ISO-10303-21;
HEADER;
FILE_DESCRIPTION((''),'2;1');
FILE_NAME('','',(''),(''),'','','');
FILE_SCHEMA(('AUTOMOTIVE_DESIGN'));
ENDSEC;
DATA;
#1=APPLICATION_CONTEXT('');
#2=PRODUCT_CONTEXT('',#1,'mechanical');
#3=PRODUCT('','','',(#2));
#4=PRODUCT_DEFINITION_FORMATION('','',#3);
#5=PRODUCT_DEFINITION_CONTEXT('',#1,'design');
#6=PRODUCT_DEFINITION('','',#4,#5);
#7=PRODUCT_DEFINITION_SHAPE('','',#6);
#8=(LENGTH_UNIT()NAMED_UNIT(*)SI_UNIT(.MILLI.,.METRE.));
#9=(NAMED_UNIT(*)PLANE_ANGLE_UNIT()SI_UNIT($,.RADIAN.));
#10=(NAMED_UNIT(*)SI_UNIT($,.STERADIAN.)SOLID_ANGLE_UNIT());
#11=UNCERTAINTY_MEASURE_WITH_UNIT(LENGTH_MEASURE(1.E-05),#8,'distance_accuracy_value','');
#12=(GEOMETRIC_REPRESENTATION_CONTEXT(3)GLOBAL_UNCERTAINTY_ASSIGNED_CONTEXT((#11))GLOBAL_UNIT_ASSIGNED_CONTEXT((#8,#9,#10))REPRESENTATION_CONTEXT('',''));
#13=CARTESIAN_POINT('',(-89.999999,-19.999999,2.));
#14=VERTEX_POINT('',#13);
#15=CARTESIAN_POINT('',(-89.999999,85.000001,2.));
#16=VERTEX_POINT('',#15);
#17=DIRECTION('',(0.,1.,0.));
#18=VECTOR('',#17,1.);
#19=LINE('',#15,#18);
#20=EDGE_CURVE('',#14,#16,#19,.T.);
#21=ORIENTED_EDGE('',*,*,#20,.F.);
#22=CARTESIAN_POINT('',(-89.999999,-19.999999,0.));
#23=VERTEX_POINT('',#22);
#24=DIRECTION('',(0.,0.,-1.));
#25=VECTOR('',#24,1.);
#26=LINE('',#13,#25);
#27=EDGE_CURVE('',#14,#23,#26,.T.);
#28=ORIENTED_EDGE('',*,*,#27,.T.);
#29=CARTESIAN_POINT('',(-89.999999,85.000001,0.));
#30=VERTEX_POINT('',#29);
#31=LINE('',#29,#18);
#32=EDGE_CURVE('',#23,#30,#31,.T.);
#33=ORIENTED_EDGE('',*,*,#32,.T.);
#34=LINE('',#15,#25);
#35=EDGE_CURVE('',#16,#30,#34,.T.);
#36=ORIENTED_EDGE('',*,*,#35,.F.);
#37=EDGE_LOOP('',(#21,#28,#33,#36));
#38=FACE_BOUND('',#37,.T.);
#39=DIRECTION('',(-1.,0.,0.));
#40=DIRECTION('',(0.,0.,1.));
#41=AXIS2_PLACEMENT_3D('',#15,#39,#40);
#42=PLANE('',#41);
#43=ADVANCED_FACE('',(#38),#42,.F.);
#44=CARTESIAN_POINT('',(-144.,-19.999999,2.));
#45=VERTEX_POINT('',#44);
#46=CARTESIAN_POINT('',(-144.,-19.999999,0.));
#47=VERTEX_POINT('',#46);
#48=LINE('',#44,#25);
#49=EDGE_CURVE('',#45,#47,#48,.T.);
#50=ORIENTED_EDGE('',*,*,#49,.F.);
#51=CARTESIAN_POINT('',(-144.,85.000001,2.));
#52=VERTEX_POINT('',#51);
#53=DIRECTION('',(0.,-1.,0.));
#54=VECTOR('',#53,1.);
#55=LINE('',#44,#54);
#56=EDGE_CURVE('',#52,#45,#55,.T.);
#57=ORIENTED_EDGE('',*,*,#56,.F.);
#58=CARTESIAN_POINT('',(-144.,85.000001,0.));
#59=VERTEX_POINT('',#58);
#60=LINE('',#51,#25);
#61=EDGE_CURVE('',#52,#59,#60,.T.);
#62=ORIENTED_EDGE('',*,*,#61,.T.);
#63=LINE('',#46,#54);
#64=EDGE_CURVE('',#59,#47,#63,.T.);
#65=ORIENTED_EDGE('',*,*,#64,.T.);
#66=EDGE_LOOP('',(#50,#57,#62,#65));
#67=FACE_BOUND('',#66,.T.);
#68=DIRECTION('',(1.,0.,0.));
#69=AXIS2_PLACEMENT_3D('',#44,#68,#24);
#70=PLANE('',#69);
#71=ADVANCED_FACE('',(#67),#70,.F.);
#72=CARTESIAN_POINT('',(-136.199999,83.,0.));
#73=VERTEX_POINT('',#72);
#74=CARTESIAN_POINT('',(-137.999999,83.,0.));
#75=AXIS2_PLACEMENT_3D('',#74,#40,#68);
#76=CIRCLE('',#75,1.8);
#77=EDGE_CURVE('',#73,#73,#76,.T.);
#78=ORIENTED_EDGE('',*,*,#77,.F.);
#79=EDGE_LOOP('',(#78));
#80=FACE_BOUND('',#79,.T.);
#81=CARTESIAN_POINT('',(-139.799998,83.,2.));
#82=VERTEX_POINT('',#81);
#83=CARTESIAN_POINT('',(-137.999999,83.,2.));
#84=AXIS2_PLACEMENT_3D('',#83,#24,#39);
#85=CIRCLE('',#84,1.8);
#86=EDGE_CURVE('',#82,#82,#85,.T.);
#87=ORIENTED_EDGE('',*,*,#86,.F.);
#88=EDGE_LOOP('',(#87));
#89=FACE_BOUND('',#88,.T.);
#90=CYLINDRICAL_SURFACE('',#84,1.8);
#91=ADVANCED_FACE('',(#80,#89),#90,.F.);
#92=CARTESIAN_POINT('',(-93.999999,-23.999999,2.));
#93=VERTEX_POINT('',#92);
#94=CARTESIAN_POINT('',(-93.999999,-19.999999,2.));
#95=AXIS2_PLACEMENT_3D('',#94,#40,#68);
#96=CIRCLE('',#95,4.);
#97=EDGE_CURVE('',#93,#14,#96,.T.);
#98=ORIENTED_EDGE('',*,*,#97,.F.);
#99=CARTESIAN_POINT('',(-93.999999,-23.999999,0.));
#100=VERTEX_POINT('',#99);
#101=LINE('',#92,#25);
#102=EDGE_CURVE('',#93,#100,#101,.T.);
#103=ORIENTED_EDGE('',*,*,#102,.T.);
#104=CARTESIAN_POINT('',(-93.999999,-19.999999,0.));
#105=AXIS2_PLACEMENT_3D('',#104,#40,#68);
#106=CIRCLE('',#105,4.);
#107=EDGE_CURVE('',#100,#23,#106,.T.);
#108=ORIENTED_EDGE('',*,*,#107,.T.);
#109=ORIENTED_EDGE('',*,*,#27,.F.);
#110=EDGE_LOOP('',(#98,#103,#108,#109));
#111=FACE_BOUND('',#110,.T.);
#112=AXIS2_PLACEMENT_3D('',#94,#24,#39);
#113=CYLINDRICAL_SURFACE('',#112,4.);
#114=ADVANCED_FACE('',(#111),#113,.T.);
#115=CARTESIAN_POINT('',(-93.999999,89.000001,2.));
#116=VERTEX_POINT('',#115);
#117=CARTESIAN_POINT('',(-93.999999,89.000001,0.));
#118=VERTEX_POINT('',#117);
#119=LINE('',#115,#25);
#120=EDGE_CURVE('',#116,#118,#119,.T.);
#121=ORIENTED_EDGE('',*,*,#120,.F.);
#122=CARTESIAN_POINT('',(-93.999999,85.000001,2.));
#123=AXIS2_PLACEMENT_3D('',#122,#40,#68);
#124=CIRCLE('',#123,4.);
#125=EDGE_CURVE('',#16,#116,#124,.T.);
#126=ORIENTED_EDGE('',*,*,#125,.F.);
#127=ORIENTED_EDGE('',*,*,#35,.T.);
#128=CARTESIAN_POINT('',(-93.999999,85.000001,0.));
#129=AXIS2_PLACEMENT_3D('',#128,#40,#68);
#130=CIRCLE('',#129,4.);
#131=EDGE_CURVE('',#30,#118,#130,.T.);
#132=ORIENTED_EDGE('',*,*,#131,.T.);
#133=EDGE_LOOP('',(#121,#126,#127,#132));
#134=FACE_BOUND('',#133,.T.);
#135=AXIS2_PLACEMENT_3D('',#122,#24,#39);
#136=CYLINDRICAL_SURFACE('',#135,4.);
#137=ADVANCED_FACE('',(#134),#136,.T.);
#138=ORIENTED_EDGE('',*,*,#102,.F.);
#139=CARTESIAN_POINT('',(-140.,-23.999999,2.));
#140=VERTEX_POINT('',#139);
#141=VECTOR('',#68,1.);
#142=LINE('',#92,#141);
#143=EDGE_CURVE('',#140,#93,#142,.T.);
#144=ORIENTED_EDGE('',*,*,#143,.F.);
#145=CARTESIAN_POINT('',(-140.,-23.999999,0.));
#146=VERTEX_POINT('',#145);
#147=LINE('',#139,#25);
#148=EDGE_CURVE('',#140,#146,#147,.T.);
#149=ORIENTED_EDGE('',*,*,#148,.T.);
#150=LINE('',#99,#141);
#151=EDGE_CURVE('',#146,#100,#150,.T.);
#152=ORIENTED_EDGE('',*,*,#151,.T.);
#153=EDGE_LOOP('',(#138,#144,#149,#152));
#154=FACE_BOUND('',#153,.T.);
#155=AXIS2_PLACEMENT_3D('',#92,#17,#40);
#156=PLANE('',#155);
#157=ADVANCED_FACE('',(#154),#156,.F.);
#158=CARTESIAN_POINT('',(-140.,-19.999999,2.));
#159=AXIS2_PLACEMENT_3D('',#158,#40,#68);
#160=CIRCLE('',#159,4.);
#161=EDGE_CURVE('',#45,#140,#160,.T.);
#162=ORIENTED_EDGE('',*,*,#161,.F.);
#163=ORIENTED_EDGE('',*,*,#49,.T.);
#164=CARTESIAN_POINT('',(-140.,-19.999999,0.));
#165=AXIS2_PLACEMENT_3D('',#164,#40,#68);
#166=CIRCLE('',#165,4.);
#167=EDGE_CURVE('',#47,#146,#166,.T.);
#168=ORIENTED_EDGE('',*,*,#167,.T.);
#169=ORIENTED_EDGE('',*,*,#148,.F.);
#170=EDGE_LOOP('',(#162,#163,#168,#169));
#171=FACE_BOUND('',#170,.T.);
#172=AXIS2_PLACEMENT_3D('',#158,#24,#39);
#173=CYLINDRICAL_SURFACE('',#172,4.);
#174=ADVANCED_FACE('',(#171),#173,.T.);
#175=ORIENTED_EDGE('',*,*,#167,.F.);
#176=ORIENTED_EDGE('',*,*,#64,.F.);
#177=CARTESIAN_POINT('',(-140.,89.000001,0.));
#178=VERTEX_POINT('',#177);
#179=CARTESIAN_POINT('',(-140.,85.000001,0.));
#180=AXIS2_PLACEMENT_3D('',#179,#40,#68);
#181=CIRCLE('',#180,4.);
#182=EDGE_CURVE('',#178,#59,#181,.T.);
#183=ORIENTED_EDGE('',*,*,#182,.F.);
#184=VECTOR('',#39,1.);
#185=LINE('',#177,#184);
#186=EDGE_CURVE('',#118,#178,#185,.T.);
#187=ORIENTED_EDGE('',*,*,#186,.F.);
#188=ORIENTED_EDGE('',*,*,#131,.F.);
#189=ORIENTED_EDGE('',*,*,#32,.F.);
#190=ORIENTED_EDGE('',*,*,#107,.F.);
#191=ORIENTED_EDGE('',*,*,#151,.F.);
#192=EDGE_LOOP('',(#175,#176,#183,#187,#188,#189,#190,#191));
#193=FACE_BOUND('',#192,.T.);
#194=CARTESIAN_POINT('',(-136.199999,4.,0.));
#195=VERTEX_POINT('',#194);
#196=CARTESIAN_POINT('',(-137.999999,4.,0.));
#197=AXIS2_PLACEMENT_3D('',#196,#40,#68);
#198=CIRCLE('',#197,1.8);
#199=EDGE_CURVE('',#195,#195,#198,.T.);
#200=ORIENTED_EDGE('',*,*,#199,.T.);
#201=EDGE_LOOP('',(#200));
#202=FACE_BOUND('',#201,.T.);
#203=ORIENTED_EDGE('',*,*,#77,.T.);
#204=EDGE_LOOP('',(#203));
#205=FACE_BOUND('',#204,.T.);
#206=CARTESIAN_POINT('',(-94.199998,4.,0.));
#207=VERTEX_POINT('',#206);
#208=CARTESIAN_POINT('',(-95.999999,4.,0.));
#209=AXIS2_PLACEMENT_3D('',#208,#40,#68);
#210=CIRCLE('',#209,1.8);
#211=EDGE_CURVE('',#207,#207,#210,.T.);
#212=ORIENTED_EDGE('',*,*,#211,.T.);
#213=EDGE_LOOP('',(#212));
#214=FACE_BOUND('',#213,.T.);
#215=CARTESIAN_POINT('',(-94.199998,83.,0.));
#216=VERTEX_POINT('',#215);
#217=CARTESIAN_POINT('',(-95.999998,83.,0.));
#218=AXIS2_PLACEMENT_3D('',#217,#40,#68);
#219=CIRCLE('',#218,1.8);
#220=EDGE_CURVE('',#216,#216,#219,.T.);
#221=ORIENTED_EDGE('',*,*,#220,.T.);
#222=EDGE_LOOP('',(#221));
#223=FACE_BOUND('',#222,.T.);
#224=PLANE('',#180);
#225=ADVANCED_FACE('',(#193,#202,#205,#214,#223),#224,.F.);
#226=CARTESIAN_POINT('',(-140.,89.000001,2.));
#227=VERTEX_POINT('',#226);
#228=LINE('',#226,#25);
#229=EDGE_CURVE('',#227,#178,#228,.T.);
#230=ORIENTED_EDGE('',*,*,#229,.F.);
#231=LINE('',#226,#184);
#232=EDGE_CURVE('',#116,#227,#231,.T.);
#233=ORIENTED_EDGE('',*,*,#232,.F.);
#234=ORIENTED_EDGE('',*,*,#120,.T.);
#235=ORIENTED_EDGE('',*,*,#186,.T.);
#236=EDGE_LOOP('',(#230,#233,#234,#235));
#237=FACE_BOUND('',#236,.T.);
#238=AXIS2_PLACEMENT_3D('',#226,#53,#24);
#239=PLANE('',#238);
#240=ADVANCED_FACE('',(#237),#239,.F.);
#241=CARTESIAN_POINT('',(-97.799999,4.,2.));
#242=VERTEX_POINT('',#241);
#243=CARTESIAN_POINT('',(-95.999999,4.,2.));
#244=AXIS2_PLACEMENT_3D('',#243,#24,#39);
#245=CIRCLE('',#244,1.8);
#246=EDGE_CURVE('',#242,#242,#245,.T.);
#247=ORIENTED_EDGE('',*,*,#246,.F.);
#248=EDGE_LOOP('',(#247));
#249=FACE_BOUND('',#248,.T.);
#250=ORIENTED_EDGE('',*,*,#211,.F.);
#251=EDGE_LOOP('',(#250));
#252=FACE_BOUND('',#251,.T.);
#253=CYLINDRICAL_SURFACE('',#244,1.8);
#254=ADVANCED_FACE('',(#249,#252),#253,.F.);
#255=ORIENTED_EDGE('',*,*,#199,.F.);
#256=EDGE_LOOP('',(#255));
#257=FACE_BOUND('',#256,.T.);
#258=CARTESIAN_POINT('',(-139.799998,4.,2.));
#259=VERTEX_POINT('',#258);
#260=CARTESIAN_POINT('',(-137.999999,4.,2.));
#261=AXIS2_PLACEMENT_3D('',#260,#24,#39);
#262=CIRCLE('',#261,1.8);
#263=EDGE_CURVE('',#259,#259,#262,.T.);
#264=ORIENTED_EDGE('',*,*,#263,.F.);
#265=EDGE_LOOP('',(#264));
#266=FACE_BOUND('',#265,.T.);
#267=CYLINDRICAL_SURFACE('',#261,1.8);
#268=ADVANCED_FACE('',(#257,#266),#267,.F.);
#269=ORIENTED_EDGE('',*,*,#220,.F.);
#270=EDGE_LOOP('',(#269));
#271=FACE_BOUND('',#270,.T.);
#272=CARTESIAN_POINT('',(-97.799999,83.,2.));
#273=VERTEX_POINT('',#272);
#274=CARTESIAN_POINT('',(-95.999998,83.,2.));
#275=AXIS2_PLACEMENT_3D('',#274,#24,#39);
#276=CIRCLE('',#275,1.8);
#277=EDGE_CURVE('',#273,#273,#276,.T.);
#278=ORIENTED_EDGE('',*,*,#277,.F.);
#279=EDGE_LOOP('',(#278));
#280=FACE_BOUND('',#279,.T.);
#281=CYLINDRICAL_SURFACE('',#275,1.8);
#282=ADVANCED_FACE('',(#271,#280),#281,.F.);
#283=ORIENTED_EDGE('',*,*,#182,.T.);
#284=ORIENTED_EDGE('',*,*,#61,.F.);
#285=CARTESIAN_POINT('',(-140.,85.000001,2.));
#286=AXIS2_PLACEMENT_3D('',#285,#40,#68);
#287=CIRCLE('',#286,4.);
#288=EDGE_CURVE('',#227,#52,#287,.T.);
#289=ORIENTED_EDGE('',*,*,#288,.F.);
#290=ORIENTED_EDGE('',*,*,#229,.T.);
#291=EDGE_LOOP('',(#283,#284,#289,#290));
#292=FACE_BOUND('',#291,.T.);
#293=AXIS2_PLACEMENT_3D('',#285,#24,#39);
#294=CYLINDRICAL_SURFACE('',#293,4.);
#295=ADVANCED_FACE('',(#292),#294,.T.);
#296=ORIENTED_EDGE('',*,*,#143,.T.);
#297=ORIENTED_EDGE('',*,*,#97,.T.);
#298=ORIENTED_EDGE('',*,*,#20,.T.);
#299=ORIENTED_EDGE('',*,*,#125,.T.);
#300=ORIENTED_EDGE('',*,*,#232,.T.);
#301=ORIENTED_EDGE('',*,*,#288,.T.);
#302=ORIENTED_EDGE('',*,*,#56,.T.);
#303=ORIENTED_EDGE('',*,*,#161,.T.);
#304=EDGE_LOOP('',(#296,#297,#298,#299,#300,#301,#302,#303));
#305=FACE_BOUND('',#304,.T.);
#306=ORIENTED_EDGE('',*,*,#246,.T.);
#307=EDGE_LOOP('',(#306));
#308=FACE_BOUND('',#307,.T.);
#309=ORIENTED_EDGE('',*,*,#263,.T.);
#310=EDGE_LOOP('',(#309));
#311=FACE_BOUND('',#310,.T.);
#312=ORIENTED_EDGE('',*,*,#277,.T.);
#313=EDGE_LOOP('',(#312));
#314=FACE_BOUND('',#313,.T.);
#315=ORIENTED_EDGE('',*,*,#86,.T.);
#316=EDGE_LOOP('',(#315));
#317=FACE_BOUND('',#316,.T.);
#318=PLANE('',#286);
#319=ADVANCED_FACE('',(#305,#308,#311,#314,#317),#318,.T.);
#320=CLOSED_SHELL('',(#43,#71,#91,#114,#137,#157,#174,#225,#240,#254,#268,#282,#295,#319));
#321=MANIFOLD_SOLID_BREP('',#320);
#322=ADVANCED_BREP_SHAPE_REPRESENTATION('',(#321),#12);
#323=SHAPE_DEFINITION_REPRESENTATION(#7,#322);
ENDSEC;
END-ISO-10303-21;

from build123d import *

# Parameters (mm, degrees)
BOSS_EXTRUDE1_DEPTH     = 2
SKETCH2_R               = 1.8
CUT_EXTRUDE1_DEPTH      = 1
CUT_EXTRUDE1_DEPTH_BACK = 15.56824426


with BuildPart() as part:
    # Sketch1 → Boss-Extrude1 (new body)
    with BuildSketch(Plane.XY):
        with BuildLine():
            Line((-140.00000048, 89.00000126), (-93.99999888, 89.00000126))
            ThreePointArc((-93.99999888, 89.00000126), (-91.171571755, 87.828428385), (-89.99999888, 85.00000126))
            Line((-89.99999888, 85.00000126), (-89.99999888, -19.99999918))
            ThreePointArc((-89.99999888, -19.99999918), (-91.171571755, -22.828426305), (-93.99999888, -23.99999918))
            Line((-93.99999888, -23.99999918), (-140.00000048, -23.99999918))
            ThreePointArc((-140.00000048, -23.99999918), (-142.828427605, -22.828426305), (-144.00000048, -19.99999918))
            Line((-144.00000048, -19.99999918), (-144.00000048, 85.00000126))
            ThreePointArc((-144.00000048, 85.00000126), (-142.828427605, 87.828428385), (-140.00000048, 89.00000126))
        make_face()
    extrude(amount=BOSS_EXTRUDE1_DEPTH)

    # Sketch2 → Cut-Extrude1 (cut, two sides)
    with BuildSketch(Plane(origin=(0, 0, -12.56824426), x_dir=(-1, 0, 0), z_dir=(0, 0, -1))) as cut_extrude1_sk:
        with Locations((95.9999985, 82.99999962)):
            Circle(SKETCH2_R)
        with Locations((137.9999985, 82.99999962)):
            Circle(SKETCH2_R)
        with Locations((137.9999985, 3.99999962)):
            Circle(SKETCH2_R)
        with Locations((95.9999985, 3.99999962)):
            Circle(SKETCH2_R)
    extrude(amount=CUT_EXTRUDE1_DEPTH, mode=Mode.SUBTRACT)
    extrude(cut_extrude1_sk.sketch, amount=-CUT_EXTRUDE1_DEPTH_BACK, mode=Mode.SUBTRACT)


solid = part.part
